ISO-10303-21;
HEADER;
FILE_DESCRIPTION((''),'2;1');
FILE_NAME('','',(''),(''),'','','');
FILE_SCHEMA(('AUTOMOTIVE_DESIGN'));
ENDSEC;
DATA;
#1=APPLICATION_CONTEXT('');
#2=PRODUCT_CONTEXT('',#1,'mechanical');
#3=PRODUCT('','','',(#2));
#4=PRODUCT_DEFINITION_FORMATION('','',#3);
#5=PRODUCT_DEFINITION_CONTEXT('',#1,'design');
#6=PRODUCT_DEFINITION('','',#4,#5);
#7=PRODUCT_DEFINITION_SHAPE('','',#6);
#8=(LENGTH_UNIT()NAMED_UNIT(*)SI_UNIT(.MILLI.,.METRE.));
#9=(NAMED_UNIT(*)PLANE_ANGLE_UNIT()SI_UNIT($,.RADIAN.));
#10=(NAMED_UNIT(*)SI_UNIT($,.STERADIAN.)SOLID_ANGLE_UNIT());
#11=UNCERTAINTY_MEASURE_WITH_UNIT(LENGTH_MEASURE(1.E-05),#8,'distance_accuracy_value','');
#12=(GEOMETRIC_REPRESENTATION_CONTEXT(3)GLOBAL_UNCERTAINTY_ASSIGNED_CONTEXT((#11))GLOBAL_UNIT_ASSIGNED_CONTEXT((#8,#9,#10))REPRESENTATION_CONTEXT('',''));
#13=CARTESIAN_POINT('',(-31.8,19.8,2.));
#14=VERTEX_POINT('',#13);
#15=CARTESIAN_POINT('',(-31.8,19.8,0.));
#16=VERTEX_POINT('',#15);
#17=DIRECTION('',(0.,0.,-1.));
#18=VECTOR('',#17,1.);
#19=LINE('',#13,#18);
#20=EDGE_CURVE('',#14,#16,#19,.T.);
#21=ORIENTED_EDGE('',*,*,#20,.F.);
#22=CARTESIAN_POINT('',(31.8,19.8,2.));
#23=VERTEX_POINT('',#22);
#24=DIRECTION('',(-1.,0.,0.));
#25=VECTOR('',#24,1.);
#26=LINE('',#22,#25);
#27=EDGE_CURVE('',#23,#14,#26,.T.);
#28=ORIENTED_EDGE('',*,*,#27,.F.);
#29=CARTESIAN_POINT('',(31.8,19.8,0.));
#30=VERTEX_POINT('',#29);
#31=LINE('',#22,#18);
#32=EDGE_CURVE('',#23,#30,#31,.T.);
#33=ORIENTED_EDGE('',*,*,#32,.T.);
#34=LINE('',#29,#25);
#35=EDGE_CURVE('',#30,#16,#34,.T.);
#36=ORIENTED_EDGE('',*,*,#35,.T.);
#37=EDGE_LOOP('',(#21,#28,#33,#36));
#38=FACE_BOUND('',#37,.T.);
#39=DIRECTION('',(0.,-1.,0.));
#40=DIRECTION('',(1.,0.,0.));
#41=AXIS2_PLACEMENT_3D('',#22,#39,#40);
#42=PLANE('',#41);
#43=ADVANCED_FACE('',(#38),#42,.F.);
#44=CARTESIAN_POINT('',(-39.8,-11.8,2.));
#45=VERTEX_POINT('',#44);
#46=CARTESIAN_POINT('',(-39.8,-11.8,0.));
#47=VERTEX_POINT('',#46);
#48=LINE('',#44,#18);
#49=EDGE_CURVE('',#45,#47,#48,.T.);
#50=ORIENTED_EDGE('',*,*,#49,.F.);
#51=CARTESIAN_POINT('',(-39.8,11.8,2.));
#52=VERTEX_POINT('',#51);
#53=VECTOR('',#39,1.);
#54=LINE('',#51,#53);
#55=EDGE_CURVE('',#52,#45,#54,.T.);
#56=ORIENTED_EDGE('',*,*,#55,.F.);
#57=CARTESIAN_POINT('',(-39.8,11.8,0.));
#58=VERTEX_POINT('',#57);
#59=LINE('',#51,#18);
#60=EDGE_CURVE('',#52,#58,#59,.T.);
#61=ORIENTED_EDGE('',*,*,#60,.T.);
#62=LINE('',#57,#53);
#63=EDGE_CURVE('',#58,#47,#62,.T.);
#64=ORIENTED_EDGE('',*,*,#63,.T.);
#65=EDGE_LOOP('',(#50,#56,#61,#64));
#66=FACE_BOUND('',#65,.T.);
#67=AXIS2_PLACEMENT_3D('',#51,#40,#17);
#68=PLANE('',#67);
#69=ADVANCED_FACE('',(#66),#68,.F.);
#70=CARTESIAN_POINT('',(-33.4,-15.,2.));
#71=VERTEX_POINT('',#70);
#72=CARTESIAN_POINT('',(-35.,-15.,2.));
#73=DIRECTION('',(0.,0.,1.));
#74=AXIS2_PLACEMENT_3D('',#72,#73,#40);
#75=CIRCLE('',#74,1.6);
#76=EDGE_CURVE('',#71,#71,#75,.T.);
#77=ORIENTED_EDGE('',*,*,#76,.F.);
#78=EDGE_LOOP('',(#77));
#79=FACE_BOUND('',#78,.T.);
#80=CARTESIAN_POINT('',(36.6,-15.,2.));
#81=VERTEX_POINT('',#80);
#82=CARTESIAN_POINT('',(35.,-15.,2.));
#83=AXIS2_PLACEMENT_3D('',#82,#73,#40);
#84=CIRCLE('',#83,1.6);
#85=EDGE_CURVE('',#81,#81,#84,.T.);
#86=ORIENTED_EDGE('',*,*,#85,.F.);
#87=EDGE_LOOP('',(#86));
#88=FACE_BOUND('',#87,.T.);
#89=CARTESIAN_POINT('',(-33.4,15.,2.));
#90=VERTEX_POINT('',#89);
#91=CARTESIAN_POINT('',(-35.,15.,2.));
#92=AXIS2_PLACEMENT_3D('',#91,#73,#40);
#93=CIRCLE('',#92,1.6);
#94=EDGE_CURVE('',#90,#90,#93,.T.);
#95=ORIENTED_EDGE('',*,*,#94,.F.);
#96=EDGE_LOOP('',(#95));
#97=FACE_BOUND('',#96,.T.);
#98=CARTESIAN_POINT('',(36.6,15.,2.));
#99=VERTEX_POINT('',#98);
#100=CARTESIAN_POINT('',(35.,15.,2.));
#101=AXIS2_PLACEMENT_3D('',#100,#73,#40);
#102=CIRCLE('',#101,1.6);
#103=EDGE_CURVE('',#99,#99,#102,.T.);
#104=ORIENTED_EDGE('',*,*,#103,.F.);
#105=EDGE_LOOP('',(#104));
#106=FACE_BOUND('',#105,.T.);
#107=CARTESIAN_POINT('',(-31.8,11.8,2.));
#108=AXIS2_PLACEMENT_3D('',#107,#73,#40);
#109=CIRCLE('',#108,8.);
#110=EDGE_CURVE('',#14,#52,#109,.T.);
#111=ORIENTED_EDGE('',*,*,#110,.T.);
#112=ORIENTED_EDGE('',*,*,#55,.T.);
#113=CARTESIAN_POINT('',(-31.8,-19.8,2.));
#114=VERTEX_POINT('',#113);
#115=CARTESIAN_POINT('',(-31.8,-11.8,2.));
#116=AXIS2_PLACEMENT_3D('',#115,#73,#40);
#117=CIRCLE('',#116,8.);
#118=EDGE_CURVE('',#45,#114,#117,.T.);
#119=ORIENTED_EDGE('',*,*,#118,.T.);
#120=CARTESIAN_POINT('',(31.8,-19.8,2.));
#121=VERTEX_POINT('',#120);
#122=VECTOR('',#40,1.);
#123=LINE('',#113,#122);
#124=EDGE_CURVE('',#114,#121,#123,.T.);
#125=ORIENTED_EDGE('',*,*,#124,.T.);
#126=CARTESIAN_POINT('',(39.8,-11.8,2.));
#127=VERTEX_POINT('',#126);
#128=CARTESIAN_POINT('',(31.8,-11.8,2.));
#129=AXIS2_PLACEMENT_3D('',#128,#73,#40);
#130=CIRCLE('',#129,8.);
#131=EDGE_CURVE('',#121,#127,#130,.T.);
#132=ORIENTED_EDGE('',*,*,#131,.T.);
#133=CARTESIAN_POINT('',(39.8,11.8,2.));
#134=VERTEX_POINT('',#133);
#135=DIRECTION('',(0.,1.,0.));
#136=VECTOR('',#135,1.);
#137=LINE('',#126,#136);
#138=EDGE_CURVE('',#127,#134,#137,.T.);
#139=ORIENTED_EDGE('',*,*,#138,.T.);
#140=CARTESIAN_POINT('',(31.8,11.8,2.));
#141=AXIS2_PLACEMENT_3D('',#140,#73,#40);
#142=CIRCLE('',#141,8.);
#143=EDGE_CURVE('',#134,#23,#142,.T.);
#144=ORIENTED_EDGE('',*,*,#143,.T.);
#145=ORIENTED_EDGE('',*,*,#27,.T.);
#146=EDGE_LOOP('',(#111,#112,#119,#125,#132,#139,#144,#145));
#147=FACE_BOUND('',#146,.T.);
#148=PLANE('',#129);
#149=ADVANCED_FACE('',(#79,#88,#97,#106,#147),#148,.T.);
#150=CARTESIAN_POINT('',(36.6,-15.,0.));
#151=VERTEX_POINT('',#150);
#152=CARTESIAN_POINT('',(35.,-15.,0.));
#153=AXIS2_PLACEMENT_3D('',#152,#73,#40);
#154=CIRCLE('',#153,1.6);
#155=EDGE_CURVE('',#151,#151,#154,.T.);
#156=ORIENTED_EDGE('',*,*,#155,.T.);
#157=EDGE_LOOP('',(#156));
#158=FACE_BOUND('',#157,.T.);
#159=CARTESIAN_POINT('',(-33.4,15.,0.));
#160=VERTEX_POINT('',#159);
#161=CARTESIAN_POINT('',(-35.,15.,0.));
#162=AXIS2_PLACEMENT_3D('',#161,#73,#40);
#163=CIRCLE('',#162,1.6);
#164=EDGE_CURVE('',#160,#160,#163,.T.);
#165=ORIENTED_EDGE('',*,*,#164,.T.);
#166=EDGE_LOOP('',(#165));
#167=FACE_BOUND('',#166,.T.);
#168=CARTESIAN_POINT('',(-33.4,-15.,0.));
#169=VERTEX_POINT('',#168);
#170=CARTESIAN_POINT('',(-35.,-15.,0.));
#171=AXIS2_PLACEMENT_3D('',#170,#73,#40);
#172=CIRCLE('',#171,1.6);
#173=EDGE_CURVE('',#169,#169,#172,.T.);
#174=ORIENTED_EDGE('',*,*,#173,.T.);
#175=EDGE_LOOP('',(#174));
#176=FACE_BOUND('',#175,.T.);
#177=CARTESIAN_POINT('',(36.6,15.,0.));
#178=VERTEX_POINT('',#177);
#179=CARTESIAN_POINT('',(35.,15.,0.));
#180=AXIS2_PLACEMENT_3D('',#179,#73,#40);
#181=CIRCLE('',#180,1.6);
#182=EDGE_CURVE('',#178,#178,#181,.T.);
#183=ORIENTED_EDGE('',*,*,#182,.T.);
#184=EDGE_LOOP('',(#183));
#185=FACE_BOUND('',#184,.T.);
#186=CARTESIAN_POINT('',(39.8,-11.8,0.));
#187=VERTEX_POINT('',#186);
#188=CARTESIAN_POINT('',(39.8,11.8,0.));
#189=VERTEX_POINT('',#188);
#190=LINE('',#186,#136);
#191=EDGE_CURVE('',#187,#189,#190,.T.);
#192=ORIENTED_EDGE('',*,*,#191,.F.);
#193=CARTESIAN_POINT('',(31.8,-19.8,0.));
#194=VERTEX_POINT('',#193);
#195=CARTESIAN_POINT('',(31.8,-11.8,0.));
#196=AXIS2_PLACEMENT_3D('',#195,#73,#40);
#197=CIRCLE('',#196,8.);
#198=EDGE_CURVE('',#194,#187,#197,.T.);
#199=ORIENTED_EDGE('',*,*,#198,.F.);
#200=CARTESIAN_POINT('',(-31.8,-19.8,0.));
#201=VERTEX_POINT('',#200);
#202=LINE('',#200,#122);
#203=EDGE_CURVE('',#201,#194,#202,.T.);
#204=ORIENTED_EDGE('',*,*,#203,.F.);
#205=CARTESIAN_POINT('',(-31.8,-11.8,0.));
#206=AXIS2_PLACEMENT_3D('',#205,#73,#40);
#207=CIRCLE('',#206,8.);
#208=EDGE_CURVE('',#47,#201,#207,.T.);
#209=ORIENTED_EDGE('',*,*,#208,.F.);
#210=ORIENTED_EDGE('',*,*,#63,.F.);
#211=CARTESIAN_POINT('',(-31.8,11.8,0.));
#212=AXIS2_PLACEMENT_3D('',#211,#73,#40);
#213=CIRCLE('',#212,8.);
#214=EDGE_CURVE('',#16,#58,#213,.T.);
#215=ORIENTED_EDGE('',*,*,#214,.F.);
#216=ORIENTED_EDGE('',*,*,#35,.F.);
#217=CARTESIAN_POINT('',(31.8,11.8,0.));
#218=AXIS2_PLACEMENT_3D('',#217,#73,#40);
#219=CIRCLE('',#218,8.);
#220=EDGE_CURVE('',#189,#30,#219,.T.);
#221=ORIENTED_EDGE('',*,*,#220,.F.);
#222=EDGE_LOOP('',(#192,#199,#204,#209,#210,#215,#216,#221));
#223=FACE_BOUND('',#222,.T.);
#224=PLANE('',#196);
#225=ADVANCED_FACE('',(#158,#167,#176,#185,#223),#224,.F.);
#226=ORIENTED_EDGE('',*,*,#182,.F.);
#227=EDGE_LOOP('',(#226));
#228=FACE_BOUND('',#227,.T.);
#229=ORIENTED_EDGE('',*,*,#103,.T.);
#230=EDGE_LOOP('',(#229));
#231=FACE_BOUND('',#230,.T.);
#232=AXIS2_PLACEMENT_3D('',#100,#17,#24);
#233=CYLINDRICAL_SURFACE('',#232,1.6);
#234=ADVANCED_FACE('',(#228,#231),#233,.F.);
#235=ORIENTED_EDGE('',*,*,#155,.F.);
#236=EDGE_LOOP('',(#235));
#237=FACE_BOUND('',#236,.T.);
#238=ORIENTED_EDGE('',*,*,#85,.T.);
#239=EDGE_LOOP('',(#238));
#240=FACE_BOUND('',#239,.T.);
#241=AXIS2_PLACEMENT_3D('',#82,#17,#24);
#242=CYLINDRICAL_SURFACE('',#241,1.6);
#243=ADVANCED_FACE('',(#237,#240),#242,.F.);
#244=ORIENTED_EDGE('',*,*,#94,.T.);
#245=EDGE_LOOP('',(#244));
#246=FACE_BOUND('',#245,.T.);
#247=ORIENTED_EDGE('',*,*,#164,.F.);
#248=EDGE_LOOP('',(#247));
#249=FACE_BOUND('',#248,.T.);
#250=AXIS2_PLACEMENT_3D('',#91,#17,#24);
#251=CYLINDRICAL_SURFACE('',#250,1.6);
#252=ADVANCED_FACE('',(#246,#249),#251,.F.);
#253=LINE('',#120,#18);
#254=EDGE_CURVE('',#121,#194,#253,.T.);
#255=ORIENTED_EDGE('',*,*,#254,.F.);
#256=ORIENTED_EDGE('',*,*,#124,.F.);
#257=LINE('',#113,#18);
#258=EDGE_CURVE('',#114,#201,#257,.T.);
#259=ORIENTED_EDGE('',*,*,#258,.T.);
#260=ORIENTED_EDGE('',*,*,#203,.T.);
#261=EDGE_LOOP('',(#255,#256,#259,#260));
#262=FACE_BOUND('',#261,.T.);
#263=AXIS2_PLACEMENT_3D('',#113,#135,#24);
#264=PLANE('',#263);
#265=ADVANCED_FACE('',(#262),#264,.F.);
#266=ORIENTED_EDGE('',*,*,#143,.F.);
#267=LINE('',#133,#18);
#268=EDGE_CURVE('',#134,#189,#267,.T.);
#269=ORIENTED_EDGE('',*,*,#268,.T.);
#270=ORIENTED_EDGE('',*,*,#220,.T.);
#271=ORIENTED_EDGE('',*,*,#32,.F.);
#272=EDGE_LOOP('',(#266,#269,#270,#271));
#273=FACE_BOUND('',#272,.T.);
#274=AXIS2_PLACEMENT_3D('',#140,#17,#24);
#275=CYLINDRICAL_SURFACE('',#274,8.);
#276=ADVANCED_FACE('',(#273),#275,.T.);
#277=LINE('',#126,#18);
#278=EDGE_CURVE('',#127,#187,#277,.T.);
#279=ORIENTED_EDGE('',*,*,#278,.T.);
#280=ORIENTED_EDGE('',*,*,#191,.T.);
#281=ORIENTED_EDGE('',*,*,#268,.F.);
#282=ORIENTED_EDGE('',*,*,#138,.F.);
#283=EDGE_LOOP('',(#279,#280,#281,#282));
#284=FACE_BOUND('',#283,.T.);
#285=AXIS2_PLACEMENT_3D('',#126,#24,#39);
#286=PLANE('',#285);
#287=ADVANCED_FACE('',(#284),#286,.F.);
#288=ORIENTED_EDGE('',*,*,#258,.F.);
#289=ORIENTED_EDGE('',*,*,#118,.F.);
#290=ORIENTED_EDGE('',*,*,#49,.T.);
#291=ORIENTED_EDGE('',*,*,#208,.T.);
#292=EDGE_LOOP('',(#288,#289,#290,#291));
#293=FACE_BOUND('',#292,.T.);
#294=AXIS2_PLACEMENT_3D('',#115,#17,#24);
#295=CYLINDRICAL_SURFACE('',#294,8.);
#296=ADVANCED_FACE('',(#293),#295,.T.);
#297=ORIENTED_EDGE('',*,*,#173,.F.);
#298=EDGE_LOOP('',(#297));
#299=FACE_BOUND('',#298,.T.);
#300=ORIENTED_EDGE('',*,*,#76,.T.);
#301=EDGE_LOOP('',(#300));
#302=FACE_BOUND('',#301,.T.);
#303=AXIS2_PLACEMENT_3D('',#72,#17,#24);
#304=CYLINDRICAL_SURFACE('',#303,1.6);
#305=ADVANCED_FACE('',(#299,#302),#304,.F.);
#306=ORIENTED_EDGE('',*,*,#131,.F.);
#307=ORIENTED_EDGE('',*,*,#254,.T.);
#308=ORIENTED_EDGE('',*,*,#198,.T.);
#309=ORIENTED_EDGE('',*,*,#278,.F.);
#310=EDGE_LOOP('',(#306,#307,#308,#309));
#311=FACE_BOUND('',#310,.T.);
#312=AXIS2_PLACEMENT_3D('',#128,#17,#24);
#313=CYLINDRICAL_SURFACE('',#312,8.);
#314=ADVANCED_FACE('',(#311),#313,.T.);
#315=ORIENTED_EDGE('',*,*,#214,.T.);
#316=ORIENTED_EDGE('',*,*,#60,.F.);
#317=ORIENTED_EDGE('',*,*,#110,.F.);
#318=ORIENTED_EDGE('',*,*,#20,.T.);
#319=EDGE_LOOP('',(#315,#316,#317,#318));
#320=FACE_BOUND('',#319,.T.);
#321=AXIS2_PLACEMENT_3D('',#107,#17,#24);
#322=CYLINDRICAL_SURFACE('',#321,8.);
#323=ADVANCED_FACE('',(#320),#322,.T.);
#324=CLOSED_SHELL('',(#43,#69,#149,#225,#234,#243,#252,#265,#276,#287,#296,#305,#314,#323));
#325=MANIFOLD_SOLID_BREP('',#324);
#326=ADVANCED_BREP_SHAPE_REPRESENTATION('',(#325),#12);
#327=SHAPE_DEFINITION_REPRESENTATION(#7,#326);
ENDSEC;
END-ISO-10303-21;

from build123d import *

# Parameters (mm, degrees)
SKETCH1_R           = 1.6
BOSS_EXTRUDE1_DEPTH = 2


with BuildPart() as part:
    # Sketch1 → Boss-Extrude1 (new body)
    with BuildSketch(Plane.XY):
        with BuildLine():
            Line((39.8, -11.8), (39.8, 11.8))
            ThreePointArc((39.8, 11.8), (37.456854249, 17.456854249), (31.8, 19.8))
            Line((31.8, 19.8), (-31.8, 19.8))
            ThreePointArc((-31.8, 19.8), (-37.456854249, 17.456854249), (-39.8, 11.8))
            Line((-39.8, 11.8), (-39.8, -11.8))
            ThreePointArc((-39.8, -11.8), (-37.456854249, -17.456854249), (-31.8, -19.8))
            Line((-31.8, -19.8), (31.8, -19.8))
            ThreePointArc((31.8, -19.8), (37.456854249, -17.456854249), (39.8, -11.8))
        make_face()
        with Locations((-35, 15)):
            Circle(SKETCH1_R, mode=Mode.SUBTRACT)
        with Locations((35, 15)):
            Circle(SKETCH1_R, mode=Mode.SUBTRACT)
        with Locations((35, -15)):
            Circle(SKETCH1_R, mode=Mode.SUBTRACT)
        with Locations((-35, -15)):
            Circle(SKETCH1_R, mode=Mode.SUBTRACT)
    extrude(amount=BOSS_EXTRUDE1_DEPTH)


solid = part.part
